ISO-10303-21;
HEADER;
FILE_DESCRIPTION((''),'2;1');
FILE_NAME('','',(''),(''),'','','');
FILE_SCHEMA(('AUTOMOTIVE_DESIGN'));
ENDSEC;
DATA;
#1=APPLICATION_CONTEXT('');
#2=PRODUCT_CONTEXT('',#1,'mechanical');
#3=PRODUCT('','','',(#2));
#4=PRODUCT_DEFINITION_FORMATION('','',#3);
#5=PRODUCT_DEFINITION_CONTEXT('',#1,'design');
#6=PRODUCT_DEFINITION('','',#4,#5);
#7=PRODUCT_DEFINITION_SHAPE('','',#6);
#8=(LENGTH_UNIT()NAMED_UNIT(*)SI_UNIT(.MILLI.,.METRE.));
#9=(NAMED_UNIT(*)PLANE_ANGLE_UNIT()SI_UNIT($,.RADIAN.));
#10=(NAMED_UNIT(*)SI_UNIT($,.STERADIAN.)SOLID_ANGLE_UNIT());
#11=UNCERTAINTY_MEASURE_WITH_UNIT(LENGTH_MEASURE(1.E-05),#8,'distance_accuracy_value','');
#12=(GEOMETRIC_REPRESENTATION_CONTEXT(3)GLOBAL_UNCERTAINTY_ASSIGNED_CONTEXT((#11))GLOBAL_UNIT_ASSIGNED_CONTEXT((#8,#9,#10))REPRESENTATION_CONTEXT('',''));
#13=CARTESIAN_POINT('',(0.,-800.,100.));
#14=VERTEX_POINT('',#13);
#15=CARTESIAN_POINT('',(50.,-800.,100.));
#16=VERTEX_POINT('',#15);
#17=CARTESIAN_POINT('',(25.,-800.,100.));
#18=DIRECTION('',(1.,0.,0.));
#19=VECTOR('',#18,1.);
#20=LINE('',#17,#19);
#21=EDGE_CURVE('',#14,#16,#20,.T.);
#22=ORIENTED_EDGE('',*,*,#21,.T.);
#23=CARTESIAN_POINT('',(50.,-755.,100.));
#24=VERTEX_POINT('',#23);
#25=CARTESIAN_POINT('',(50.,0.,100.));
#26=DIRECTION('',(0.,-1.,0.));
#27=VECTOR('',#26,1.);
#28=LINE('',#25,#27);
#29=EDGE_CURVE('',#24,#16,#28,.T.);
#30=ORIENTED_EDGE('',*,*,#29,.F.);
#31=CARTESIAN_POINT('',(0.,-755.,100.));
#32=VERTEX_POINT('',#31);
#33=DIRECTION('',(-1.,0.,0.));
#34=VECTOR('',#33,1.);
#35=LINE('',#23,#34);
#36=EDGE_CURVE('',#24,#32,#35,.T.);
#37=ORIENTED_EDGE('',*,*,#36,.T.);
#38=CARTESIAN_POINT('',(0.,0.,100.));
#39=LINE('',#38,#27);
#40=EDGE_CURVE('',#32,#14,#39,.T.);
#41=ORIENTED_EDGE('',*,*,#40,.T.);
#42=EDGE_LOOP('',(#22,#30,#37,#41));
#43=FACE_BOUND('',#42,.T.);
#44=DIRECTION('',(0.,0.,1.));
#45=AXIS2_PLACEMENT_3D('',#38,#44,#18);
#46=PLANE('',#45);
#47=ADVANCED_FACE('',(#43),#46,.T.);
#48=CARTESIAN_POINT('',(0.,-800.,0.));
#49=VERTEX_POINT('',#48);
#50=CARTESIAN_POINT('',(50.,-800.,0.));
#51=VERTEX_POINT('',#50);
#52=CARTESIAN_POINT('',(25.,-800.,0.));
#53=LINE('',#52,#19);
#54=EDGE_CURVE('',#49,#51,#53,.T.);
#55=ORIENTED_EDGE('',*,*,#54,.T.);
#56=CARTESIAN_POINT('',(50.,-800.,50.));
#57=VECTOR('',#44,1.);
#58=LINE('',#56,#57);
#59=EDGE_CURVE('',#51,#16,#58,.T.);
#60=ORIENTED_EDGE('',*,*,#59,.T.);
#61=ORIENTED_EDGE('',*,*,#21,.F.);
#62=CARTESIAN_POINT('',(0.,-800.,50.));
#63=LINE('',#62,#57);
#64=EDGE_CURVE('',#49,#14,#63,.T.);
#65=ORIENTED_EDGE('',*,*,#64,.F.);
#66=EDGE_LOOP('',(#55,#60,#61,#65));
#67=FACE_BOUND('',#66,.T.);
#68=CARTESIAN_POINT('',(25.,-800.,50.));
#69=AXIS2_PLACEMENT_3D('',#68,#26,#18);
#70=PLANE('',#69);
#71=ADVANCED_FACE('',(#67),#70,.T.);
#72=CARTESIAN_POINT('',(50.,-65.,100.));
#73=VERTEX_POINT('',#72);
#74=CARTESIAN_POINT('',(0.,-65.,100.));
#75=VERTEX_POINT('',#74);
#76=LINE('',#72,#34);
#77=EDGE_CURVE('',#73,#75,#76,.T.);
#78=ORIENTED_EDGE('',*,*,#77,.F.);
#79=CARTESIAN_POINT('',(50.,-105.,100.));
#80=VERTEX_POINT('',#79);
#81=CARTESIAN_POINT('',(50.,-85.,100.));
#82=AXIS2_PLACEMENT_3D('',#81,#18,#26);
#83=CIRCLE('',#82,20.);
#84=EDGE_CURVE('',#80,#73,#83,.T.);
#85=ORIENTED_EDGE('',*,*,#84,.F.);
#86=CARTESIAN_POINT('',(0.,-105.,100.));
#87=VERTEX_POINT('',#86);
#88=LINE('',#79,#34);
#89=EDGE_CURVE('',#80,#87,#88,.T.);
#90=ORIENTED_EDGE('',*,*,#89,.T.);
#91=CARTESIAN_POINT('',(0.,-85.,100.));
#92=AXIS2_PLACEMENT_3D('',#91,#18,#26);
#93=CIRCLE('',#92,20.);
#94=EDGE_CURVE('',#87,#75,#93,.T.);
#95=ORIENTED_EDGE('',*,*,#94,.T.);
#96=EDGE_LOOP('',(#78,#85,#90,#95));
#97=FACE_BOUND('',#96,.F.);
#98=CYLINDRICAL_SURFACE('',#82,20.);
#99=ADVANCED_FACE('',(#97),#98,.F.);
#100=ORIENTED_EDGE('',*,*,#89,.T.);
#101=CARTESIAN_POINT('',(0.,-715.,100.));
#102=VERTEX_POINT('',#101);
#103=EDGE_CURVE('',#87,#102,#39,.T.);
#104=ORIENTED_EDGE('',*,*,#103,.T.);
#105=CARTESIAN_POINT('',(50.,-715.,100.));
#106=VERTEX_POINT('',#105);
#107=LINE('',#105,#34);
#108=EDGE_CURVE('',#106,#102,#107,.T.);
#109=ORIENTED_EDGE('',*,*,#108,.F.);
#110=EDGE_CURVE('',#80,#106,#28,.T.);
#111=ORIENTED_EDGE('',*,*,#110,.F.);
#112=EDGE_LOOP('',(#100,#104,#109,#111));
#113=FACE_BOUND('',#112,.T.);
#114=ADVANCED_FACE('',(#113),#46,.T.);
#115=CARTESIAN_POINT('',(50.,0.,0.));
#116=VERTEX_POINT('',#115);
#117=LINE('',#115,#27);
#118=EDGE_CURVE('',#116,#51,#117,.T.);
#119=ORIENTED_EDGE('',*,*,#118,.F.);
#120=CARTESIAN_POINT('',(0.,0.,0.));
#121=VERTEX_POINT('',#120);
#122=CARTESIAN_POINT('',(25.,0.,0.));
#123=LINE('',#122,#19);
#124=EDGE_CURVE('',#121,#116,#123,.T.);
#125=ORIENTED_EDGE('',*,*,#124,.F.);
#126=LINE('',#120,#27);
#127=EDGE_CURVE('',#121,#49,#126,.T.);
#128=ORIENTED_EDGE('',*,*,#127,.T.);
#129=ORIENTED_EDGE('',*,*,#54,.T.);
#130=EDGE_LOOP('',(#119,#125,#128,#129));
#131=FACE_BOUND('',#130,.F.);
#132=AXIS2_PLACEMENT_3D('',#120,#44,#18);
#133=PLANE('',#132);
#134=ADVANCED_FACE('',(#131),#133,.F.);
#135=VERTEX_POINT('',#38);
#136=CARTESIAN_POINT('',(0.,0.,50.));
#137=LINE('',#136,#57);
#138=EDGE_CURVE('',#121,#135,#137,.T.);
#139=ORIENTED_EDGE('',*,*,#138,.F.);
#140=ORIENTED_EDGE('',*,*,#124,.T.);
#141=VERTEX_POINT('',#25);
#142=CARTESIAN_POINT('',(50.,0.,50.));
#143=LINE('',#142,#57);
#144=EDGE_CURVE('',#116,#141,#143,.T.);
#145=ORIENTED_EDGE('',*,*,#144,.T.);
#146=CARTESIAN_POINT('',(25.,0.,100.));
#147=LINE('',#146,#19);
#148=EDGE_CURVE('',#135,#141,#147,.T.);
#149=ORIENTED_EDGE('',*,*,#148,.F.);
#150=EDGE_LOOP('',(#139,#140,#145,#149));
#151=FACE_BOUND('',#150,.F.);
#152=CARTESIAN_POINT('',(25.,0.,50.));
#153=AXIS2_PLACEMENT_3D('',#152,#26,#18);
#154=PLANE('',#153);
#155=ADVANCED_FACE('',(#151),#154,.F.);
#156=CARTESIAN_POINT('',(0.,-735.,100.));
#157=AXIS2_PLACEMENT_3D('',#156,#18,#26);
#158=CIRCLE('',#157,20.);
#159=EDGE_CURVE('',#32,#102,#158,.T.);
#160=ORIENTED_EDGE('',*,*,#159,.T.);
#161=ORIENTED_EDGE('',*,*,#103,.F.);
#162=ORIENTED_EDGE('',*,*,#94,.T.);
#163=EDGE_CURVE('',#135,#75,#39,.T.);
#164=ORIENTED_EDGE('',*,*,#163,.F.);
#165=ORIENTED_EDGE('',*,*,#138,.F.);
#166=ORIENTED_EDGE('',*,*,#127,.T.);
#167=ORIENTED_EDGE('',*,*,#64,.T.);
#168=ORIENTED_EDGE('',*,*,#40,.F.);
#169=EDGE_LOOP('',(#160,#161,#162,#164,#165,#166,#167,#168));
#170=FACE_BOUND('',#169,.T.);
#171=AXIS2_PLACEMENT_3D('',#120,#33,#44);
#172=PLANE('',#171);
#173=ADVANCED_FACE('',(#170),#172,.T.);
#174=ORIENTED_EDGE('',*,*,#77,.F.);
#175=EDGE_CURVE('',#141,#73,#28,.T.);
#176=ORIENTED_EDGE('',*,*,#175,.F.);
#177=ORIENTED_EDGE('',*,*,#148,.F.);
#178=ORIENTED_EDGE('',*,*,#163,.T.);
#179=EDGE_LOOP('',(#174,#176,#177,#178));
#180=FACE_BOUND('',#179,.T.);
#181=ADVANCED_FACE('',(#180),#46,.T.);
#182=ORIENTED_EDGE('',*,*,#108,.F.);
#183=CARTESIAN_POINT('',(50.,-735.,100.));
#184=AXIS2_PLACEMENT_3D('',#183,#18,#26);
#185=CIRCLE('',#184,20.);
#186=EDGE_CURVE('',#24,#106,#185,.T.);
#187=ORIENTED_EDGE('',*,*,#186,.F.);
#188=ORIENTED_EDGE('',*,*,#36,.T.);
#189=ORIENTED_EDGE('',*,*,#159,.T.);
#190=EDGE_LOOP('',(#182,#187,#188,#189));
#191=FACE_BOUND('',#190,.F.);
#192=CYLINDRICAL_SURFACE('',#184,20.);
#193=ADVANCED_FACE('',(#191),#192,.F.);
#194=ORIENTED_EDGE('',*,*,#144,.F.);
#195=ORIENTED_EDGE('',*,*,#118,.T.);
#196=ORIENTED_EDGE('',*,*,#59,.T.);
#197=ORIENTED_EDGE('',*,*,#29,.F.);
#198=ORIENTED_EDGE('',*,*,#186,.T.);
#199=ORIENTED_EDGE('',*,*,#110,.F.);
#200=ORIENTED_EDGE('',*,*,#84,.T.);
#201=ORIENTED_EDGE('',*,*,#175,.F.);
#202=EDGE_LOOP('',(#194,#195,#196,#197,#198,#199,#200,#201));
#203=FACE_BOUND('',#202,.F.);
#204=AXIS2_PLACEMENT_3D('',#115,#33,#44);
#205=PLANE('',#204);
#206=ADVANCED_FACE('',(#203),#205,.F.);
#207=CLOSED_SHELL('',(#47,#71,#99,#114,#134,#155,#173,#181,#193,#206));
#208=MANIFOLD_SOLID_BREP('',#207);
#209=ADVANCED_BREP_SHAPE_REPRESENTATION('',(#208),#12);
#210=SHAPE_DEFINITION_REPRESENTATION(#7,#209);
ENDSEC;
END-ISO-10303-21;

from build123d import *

# Parameters (mm, degrees)
F0_W     = 50
F0_H     = 100
F1_DEPTH = 800
F3_DEPTH = 50.001


with BuildPart() as f1:
    # F0 (on Front) → F1 (new body)
    with BuildSketch(Plane.XZ):
        with Locations((25, 50)):
            Rectangle(F0_W, F0_H)
    extrude(amount=F1_DEPTH)

    # F2 (on face) → F3 (cut, through all)
    with BuildSketch(Plane.YZ.offset(50)):
        with BuildLine():
            Line((-715, 100), (-755, 100))
            ThreePointArc((-755, 100), (-735, 80), (-715, 100))
        make_face()
        with BuildLine():
            Line((-65, 100), (-105, 100))
            ThreePointArc((-105, 100), (-85, 80), (-65, 100))
        make_face()
    extrude(amount=-F3_DEPTH, mode=Mode.SUBTRACT)


solid = f1.part
